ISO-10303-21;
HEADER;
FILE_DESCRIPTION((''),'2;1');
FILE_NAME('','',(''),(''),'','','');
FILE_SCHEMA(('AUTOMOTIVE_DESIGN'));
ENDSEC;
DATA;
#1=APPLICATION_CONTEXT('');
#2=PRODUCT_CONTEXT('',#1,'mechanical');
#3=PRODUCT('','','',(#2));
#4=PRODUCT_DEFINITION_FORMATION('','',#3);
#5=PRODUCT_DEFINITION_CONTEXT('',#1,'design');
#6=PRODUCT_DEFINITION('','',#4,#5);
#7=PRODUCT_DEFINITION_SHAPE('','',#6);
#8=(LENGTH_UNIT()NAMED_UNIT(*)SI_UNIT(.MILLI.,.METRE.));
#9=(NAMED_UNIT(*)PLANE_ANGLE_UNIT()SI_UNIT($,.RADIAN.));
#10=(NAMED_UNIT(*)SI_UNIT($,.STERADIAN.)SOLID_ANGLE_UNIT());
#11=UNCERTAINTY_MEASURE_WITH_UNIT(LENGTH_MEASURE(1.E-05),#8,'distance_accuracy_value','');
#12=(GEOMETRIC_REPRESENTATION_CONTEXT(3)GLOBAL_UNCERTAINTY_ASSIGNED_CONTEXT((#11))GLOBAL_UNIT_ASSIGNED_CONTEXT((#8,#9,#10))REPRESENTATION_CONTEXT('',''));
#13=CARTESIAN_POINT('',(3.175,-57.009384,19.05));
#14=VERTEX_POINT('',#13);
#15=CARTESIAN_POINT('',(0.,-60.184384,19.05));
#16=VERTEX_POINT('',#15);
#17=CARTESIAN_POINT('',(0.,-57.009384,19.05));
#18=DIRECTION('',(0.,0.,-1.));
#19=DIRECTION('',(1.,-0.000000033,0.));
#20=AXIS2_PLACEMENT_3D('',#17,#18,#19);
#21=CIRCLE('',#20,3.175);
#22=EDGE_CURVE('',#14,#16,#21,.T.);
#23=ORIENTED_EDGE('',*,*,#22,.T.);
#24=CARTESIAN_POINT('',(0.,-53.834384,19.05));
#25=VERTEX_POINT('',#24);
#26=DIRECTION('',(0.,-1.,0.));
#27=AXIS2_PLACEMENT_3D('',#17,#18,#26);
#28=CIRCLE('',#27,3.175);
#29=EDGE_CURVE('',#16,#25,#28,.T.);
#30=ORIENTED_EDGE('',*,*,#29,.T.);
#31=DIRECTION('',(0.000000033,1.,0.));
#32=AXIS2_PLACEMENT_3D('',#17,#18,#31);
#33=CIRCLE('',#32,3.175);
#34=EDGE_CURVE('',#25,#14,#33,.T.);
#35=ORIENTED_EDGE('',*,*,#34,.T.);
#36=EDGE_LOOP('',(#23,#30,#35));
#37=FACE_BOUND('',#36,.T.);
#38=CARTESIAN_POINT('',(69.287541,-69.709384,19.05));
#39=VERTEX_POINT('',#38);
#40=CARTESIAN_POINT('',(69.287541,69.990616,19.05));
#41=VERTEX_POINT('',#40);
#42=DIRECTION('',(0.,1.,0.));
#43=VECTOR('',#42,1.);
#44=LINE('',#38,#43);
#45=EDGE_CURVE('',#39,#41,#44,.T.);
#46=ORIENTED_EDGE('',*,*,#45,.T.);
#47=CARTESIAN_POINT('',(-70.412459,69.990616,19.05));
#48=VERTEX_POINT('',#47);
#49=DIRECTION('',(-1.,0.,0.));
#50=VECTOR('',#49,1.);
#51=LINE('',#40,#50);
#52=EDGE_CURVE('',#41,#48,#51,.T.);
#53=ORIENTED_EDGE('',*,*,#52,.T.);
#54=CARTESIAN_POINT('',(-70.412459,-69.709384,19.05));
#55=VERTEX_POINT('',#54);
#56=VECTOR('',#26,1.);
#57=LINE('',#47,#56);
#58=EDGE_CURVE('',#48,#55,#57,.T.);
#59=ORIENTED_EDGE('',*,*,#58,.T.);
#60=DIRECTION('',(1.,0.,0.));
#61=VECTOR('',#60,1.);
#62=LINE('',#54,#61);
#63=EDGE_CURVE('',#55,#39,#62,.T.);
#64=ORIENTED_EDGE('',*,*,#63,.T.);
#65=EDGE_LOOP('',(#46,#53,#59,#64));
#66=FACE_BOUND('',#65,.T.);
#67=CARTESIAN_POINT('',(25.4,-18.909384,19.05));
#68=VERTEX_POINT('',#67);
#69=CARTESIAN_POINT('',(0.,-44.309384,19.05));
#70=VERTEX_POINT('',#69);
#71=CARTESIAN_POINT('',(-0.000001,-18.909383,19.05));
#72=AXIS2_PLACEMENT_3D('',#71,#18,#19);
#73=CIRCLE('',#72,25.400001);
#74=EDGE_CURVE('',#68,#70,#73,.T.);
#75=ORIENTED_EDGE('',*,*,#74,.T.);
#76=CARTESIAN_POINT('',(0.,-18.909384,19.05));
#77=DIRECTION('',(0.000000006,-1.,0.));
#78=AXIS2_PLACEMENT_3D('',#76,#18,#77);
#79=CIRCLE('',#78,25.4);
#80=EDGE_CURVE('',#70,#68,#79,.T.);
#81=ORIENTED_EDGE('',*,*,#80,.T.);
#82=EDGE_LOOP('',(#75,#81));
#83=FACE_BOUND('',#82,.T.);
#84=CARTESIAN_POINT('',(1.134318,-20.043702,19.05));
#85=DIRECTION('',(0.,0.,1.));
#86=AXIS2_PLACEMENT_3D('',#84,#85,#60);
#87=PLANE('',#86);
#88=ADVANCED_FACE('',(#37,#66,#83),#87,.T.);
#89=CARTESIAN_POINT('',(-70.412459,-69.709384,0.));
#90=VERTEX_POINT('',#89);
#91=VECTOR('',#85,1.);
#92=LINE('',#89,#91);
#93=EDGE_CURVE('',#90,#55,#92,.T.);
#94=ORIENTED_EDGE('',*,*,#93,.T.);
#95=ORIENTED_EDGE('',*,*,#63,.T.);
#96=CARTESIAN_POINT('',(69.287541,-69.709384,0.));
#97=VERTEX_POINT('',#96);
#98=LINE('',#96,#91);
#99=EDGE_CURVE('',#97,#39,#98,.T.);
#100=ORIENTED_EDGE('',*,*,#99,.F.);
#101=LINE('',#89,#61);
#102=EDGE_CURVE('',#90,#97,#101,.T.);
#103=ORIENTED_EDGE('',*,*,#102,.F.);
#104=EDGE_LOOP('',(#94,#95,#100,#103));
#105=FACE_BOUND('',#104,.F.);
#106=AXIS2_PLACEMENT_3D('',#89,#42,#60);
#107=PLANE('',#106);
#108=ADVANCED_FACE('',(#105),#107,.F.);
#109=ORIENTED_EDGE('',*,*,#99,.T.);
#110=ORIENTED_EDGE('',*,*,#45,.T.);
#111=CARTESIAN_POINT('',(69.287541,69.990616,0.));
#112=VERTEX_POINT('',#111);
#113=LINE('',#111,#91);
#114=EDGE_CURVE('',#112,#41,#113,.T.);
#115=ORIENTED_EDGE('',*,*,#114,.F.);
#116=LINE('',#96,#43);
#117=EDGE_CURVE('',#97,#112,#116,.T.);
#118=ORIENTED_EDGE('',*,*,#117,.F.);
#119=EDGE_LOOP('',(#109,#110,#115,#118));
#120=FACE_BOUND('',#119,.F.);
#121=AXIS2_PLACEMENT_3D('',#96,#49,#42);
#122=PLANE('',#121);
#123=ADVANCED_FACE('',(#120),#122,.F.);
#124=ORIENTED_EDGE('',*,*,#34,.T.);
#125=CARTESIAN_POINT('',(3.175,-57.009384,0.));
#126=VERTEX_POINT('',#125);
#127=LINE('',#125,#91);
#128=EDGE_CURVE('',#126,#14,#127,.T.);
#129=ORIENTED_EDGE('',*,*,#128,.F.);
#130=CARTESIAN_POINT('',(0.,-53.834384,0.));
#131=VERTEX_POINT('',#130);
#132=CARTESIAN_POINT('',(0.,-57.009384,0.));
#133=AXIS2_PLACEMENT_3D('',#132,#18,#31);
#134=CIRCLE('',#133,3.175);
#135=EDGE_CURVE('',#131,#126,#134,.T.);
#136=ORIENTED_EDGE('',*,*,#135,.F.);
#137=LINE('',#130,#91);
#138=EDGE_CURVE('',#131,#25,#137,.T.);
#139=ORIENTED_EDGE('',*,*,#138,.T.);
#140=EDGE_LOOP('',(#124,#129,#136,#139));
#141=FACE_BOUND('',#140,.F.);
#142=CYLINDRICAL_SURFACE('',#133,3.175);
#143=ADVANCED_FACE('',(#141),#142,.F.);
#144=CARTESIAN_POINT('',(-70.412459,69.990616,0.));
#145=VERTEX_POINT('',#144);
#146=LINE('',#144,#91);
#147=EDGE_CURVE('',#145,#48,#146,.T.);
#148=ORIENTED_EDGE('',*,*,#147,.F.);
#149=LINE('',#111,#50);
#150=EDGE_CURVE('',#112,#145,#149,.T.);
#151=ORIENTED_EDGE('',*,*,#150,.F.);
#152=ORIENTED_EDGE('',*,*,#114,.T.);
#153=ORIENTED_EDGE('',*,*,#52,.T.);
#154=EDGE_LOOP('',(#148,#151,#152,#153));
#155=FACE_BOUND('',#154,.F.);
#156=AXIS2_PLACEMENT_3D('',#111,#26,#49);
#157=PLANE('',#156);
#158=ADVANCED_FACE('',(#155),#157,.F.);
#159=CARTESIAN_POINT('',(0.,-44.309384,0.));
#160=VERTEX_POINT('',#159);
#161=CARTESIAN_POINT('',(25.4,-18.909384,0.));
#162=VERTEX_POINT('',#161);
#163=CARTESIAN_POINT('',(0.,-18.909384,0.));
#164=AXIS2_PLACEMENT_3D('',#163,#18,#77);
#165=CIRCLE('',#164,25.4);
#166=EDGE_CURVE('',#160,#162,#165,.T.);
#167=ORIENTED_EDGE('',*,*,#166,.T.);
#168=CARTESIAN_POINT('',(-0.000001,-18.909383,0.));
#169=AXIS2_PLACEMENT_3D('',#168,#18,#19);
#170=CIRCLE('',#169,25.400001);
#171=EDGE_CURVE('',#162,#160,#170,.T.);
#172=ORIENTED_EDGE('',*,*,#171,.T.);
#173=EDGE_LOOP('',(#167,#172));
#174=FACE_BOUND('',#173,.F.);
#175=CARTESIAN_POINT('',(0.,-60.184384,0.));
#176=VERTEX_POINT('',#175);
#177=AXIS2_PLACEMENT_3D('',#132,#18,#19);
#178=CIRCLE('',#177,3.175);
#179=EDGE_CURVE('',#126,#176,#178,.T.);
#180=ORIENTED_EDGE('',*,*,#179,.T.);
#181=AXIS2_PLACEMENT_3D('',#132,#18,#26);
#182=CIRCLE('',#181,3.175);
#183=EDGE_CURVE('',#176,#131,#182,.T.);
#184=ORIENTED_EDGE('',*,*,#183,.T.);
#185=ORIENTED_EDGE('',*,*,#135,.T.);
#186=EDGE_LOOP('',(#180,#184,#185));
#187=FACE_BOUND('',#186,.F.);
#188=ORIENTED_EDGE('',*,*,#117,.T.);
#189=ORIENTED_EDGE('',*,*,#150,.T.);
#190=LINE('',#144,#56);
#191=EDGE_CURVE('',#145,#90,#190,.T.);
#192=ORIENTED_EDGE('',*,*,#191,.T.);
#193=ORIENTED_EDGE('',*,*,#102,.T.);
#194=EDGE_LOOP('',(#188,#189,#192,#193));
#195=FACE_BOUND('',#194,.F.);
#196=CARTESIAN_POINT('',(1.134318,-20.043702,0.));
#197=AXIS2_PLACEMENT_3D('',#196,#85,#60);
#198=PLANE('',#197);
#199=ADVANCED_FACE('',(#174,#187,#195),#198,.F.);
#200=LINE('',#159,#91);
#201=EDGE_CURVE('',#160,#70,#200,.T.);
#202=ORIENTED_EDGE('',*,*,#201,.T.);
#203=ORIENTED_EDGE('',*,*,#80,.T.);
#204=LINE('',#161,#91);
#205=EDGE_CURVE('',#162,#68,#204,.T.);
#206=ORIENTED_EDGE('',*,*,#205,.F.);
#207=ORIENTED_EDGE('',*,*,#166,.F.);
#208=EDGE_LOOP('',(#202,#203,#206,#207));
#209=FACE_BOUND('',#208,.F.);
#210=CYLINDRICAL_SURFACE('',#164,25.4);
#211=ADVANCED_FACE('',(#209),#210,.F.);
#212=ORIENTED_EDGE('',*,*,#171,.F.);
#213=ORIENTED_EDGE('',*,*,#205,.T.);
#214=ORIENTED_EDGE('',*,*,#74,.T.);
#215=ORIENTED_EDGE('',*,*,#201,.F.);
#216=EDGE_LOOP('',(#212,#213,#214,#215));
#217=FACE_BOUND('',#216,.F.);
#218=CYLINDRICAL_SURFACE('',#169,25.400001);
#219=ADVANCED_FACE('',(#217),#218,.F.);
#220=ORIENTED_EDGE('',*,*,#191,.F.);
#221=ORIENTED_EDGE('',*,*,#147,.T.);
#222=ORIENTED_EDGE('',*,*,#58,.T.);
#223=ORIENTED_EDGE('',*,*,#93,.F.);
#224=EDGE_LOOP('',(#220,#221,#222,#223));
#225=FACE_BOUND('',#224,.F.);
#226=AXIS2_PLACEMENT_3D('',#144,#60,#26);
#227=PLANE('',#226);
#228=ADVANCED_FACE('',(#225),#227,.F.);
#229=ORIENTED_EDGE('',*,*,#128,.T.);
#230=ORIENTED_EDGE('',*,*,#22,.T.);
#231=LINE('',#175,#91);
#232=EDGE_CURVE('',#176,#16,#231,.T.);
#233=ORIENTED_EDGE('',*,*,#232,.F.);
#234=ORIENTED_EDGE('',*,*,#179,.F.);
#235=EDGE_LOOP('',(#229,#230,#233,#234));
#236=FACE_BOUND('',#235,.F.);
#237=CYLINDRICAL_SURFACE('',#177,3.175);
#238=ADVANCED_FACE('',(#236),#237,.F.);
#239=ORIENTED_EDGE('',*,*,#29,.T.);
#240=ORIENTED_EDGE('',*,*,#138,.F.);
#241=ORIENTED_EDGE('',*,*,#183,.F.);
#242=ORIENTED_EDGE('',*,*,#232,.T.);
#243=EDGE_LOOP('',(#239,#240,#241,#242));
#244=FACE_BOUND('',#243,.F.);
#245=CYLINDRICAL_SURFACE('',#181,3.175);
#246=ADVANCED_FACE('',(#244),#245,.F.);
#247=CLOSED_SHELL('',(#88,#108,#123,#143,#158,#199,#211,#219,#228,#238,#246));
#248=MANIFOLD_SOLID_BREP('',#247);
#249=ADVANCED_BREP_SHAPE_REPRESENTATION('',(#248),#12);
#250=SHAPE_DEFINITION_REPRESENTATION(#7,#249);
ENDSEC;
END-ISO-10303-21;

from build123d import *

# Parameters (mm, degrees)
F1_DEPTH = 19.05


with BuildPart() as f1:
    # F0 (on Top) → F1 (new body)
    with BuildSketch(Plane.XY):
        with BuildLine():
            ThreePointArc((25.4, -18.909384), (-17.960512, -0.948871), (0, -44.309384))
            ThreePointArc((0, -44.309384), (17.960512, -36.869896), (25.4, -18.909384))
        make_face()
        Polygon((69.287541, -69.709384), (69.287541, 69.990616), (-70.412459, 69.990616), (-70.412459, -69.709384), (0, -69.709384), align=None)
        with BuildLine():
            ThreePointArc((3.175, -57.009384), (2.245064, -59.254448), (0, -60.184384))
            ThreePointArc((0, -60.184384), (-3.175, -57.009384), (0, -53.834384))
            ThreePointArc((0, -53.834384), (2.245064, -54.76432), (3.175, -57.009384))
        make_face(mode=Mode.SUBTRACT)
        with BuildLine():
            ThreePointArc((25.4, -18.909384), (17.960512, -36.869896), (0, -44.309384))
            ThreePointArc((0, -44.309384), (-17.960512, -0.948871), (25.4, -18.909384))
        make_face(mode=Mode.SUBTRACT)
    extrude(amount=F1_DEPTH)


solid = f1.part
